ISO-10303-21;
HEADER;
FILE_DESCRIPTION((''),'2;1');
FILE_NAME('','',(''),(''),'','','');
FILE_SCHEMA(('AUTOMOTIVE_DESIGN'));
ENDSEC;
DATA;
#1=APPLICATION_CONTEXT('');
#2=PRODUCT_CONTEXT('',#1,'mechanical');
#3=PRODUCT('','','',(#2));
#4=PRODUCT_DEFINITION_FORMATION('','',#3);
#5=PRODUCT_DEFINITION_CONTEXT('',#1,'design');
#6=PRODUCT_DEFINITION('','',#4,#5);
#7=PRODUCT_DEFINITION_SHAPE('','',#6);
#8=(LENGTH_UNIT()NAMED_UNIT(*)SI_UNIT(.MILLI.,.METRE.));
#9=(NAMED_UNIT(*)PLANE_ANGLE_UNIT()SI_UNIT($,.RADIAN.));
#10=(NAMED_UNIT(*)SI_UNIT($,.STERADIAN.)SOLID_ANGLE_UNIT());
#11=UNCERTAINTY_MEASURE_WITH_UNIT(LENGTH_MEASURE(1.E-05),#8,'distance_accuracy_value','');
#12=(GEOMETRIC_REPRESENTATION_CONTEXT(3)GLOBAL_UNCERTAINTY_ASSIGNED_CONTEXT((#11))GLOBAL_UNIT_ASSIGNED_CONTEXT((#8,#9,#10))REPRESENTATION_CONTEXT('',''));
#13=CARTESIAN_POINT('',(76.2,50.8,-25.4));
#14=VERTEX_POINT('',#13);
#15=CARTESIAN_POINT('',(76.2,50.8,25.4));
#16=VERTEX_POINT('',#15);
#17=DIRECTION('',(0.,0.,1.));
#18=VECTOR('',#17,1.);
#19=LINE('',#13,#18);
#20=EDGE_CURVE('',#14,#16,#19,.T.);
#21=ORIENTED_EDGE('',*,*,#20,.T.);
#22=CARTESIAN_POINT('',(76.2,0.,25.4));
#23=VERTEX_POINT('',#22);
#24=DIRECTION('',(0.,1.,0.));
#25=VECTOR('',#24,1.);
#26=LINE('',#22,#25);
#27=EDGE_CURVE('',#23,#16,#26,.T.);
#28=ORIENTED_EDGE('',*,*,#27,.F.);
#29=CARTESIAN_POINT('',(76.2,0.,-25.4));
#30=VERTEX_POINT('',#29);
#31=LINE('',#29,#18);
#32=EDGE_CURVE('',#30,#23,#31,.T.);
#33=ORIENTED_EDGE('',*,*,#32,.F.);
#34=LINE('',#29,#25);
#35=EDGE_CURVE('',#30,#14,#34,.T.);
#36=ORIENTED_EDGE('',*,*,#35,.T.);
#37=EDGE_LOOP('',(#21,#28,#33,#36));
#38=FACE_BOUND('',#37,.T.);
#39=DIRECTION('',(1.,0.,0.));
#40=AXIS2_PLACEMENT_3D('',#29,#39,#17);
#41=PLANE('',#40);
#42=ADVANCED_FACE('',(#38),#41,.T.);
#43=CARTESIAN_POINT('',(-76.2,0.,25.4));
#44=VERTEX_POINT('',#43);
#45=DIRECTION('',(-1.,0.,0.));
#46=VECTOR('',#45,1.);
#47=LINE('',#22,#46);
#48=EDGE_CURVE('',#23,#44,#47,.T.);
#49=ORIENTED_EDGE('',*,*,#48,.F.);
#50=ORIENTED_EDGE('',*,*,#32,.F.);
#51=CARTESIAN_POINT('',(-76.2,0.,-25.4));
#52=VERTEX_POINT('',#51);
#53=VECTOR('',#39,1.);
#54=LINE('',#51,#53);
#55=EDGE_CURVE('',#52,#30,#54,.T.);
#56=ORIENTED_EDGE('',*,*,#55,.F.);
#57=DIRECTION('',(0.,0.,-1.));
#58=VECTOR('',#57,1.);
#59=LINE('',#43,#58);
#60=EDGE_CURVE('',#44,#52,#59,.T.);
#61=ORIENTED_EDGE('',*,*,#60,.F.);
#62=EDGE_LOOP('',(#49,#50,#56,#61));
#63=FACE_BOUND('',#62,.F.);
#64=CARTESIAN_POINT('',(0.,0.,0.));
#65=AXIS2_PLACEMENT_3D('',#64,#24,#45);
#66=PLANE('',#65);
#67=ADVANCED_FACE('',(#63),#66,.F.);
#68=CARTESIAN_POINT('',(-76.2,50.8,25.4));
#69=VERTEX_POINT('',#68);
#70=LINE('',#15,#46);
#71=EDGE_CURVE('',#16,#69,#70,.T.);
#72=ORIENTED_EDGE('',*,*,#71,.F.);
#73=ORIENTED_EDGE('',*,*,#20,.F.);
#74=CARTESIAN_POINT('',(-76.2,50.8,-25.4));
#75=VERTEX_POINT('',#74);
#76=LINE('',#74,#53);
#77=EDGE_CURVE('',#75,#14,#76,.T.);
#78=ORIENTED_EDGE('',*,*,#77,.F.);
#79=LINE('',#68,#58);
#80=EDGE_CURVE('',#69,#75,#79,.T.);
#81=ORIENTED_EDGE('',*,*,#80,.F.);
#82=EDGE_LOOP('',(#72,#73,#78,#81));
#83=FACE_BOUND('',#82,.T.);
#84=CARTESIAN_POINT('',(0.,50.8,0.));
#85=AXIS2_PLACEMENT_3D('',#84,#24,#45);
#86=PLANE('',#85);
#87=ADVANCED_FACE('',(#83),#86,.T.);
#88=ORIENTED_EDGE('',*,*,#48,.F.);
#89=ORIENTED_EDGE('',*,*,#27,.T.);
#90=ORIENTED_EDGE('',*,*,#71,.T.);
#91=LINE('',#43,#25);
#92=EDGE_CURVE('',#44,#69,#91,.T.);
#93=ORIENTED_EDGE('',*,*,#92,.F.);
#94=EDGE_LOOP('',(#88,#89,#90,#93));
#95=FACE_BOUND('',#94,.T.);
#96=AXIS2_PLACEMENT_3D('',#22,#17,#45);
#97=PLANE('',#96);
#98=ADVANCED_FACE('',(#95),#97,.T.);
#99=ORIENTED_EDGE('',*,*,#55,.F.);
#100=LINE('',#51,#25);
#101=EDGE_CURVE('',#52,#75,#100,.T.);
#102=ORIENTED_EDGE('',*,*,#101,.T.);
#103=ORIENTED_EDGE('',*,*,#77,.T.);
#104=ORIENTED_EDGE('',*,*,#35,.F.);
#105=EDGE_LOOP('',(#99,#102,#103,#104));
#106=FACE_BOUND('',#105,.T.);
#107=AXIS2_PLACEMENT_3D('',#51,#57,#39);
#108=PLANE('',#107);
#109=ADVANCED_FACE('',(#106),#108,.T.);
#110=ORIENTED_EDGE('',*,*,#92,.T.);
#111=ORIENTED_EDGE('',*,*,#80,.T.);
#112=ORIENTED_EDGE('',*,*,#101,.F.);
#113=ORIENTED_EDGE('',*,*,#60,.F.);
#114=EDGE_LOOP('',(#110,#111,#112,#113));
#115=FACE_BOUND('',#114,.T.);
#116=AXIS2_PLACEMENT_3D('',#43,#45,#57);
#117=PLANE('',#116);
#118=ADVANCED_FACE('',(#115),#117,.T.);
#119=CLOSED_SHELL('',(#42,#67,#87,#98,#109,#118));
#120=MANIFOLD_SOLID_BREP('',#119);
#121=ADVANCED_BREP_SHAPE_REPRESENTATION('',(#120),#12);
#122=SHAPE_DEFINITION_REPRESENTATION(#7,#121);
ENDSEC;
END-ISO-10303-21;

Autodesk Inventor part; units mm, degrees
ref_plane "YZ Plane" through (0, 0, 0) normal (1, 0, 0) x (0, 1, 0)
ref_plane "XZ Plane" through (0, 0, 0) normal (0, 1, 0) x (-1, 0, 0)
ref_plane "XY Plane" through (0, 0, 0) normal (0, 0, 1) x (1, 0, 0)
sketch "Sketch1" plane through (0, 0, 0) normal (0, 1, 0) x (-1, 0, 0)
  line L0 (-76.2, 25.4) -> (76.2, 25.4)
  line L1 (76.2, 25.4) -> (76.2, -25.4)
  line L2 (76.2, -25.4) -> (-76.2, -25.4)
  line L3 (-76.2, -25.4) -> (-76.2, 25.4)
  line L4 (-76.2, 25.4) -> (76.2, -25.4) construction
  line L5 (76.2, 25.4) -> (-76.2, -25.4) construction
  point P0 (0, 0)
  dimension "d0" = 152.4
  dimension "d1" = 50.8
extrude "Extrusion1" add sketch "Sketch1" along normal blind 50.8
properties part number "BX11111"
